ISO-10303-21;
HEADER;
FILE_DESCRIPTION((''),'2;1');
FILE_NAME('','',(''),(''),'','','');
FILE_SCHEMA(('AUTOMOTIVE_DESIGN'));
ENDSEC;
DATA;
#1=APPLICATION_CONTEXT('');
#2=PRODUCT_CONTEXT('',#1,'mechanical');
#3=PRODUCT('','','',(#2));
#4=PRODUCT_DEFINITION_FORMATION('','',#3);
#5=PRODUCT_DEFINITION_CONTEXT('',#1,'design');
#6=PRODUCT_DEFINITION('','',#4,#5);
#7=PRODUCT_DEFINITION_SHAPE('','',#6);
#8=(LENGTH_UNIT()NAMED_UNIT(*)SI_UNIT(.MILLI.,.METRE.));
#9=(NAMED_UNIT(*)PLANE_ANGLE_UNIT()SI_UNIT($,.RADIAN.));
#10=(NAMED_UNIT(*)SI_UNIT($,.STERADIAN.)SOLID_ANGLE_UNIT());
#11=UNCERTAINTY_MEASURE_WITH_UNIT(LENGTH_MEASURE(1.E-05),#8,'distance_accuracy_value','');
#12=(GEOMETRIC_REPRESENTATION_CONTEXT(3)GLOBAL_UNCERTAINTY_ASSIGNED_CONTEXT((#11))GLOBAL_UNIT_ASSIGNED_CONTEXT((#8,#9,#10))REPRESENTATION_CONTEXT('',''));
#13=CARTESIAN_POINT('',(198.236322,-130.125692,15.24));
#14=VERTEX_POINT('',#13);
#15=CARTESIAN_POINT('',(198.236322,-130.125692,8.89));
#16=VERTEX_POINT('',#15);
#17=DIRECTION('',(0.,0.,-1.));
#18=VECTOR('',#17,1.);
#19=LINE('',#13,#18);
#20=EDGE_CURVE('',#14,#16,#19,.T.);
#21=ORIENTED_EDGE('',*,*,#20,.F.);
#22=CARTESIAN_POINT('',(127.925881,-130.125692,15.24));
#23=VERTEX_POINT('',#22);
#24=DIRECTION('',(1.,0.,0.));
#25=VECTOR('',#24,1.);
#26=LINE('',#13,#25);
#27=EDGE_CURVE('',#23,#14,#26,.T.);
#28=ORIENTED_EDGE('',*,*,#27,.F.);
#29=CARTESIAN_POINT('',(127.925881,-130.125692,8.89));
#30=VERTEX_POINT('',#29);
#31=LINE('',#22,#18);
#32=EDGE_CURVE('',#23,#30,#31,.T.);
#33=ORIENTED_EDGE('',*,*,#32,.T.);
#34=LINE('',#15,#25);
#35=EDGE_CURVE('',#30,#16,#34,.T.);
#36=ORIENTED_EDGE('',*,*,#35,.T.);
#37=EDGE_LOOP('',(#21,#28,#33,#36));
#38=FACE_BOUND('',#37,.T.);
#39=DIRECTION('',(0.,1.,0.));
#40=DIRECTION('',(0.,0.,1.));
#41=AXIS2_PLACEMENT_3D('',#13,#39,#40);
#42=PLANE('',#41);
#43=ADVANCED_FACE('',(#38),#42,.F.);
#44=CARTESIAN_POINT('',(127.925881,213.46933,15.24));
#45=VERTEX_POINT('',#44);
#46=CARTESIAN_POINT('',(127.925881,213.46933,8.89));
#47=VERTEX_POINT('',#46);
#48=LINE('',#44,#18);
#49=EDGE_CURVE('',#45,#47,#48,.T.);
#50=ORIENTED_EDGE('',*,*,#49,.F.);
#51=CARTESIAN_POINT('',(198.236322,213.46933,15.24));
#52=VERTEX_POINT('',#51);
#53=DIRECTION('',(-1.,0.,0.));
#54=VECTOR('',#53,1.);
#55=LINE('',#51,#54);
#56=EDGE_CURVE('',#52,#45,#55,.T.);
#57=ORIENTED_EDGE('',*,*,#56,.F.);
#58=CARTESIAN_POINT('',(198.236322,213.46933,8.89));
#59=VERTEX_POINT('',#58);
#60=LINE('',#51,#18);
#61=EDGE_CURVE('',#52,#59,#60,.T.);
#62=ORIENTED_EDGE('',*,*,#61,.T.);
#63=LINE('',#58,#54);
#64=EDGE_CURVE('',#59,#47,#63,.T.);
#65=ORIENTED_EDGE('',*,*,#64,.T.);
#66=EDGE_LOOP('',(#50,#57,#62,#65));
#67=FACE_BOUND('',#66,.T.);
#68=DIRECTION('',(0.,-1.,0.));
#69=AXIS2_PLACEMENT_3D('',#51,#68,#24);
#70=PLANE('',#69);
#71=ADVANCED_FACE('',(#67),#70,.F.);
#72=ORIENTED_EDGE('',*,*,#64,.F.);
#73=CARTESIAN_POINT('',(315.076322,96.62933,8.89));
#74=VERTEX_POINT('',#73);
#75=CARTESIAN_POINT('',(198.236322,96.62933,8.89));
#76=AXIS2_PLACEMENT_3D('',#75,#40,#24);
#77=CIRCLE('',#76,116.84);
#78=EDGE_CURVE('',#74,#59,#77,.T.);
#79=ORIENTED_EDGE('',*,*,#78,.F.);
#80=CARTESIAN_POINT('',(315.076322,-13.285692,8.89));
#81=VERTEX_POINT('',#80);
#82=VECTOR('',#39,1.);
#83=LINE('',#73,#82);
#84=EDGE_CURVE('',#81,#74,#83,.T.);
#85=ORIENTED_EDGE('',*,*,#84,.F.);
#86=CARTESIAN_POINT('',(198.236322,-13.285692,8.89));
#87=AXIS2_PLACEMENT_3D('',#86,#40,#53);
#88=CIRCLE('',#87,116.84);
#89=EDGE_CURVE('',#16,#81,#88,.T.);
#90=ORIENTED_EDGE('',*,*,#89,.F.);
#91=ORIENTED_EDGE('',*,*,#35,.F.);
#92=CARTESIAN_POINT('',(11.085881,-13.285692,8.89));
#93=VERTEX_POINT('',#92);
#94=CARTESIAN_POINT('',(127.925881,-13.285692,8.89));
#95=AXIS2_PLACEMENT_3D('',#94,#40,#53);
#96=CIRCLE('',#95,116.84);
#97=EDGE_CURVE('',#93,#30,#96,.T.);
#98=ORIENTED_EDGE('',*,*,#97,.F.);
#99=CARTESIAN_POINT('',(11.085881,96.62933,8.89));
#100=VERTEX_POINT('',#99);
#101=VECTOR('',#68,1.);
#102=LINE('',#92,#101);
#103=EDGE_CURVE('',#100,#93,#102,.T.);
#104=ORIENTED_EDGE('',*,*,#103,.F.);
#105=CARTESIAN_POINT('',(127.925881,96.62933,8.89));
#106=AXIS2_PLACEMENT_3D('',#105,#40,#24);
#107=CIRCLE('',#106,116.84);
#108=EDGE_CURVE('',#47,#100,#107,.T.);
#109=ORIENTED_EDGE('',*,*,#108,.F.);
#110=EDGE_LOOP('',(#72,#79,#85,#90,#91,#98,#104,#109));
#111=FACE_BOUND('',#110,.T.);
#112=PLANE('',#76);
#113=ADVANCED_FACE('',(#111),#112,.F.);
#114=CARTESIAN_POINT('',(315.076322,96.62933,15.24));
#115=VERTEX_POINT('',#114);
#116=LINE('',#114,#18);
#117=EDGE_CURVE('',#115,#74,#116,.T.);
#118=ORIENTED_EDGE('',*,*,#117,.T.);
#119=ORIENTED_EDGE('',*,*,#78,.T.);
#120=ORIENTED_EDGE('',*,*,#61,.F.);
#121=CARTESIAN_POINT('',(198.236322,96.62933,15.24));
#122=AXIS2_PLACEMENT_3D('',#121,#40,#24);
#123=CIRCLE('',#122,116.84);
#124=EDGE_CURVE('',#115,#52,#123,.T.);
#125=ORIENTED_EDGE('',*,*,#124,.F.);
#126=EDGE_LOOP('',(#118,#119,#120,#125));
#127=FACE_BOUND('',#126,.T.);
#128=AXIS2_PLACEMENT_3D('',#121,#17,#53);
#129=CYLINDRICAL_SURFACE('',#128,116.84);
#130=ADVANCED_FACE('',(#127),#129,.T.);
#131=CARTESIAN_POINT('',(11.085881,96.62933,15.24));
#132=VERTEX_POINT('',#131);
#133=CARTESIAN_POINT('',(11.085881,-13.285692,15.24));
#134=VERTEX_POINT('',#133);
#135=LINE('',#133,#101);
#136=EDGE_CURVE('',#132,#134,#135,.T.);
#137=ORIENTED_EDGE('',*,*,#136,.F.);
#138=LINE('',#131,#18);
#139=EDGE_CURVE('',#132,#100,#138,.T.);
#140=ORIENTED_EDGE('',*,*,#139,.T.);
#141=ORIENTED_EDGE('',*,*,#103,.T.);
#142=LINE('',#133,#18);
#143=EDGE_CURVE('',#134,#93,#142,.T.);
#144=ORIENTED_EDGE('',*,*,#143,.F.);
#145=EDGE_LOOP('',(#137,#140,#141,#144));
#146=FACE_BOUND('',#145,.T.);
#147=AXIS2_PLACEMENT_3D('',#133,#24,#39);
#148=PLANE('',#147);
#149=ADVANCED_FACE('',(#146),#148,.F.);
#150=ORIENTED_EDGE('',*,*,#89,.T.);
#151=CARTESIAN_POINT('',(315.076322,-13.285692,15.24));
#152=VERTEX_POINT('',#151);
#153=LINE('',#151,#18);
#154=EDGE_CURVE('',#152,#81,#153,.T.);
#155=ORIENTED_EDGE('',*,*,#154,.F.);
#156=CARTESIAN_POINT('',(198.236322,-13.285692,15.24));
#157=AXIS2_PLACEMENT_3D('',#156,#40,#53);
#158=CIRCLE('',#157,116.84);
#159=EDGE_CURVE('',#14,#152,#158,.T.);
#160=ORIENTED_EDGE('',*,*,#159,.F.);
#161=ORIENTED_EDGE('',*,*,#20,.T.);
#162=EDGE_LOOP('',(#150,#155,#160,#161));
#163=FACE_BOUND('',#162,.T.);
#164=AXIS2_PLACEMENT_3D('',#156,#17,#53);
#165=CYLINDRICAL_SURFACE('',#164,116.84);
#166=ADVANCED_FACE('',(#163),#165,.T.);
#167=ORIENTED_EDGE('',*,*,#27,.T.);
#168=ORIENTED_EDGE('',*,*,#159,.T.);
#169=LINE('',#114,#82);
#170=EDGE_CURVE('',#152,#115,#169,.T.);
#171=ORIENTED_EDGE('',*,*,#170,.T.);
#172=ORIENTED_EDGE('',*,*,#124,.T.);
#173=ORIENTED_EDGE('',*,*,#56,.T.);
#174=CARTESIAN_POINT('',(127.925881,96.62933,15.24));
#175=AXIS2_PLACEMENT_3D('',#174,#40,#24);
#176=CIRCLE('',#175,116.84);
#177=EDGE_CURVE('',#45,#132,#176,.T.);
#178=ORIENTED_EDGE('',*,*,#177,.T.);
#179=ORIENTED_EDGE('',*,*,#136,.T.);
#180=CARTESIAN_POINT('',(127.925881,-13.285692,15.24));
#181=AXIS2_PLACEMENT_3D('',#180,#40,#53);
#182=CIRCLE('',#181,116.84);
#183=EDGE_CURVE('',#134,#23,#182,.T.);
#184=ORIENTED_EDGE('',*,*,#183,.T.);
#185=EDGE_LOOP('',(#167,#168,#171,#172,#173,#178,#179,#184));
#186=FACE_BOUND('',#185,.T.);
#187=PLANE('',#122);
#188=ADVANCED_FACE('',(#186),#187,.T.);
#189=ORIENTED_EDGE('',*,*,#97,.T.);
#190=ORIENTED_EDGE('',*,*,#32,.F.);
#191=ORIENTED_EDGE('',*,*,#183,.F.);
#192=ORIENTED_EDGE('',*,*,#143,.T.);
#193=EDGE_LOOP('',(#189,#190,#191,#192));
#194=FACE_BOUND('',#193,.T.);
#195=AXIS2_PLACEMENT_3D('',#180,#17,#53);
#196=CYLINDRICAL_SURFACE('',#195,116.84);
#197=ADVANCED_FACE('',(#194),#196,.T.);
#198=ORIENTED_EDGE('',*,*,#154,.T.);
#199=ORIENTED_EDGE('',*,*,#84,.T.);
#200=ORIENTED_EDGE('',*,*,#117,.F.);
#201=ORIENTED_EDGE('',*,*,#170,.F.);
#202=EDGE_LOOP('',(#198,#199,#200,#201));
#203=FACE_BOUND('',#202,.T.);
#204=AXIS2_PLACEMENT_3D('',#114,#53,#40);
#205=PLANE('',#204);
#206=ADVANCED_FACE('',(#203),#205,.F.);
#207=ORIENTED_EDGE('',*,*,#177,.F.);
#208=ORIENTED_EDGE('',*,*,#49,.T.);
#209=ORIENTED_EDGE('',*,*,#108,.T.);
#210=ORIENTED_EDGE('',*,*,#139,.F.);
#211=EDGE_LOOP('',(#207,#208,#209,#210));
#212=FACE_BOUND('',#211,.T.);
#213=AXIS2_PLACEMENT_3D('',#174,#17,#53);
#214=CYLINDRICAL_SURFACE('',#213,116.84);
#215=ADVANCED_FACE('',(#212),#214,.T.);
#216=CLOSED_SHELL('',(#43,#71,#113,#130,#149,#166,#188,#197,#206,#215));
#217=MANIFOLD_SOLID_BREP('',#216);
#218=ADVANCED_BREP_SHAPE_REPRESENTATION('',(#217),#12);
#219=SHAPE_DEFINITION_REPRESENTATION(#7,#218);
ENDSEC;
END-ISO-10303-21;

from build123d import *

# Parameters (mm, degrees)
BOSS_EXTRUDE3_DEPTH = 6.35


with BuildPart() as part:
    # Sketch14 → Boss-Extrude3 (new body)
    with BuildSketch(Plane.XY.offset(8.89)):
        with BuildLine():
            Line((198.236322144, 213.469330483), (127.925881088, 213.469330483))
            ThreePointArc((127.925881088, 213.469330483), (45.307524774, 179.247686797), (11.085881088, 96.629330483))
            Line((11.085881088, 96.629330483), (11.085881088, -13.285692494))
            ThreePointArc((11.085881088, -13.285692494), (45.307524774, -95.904048808), (127.925881088, -130.125692494))
            Line((127.925881088, -130.125692494), (198.236322144, -130.125692494))
            ThreePointArc((198.236322144, -130.125692494), (280.854678457, -95.904048808), (315.076322144, -13.285692494))
            Line((315.076322144, -13.285692494), (315.076322144, 96.629330483))
            ThreePointArc((315.076322144, 96.629330483), (280.854678457, 179.247686797), (198.236322144, 213.469330483))
        make_face()
    extrude(amount=BOSS_EXTRUDE3_DEPTH)


solid = part.part
